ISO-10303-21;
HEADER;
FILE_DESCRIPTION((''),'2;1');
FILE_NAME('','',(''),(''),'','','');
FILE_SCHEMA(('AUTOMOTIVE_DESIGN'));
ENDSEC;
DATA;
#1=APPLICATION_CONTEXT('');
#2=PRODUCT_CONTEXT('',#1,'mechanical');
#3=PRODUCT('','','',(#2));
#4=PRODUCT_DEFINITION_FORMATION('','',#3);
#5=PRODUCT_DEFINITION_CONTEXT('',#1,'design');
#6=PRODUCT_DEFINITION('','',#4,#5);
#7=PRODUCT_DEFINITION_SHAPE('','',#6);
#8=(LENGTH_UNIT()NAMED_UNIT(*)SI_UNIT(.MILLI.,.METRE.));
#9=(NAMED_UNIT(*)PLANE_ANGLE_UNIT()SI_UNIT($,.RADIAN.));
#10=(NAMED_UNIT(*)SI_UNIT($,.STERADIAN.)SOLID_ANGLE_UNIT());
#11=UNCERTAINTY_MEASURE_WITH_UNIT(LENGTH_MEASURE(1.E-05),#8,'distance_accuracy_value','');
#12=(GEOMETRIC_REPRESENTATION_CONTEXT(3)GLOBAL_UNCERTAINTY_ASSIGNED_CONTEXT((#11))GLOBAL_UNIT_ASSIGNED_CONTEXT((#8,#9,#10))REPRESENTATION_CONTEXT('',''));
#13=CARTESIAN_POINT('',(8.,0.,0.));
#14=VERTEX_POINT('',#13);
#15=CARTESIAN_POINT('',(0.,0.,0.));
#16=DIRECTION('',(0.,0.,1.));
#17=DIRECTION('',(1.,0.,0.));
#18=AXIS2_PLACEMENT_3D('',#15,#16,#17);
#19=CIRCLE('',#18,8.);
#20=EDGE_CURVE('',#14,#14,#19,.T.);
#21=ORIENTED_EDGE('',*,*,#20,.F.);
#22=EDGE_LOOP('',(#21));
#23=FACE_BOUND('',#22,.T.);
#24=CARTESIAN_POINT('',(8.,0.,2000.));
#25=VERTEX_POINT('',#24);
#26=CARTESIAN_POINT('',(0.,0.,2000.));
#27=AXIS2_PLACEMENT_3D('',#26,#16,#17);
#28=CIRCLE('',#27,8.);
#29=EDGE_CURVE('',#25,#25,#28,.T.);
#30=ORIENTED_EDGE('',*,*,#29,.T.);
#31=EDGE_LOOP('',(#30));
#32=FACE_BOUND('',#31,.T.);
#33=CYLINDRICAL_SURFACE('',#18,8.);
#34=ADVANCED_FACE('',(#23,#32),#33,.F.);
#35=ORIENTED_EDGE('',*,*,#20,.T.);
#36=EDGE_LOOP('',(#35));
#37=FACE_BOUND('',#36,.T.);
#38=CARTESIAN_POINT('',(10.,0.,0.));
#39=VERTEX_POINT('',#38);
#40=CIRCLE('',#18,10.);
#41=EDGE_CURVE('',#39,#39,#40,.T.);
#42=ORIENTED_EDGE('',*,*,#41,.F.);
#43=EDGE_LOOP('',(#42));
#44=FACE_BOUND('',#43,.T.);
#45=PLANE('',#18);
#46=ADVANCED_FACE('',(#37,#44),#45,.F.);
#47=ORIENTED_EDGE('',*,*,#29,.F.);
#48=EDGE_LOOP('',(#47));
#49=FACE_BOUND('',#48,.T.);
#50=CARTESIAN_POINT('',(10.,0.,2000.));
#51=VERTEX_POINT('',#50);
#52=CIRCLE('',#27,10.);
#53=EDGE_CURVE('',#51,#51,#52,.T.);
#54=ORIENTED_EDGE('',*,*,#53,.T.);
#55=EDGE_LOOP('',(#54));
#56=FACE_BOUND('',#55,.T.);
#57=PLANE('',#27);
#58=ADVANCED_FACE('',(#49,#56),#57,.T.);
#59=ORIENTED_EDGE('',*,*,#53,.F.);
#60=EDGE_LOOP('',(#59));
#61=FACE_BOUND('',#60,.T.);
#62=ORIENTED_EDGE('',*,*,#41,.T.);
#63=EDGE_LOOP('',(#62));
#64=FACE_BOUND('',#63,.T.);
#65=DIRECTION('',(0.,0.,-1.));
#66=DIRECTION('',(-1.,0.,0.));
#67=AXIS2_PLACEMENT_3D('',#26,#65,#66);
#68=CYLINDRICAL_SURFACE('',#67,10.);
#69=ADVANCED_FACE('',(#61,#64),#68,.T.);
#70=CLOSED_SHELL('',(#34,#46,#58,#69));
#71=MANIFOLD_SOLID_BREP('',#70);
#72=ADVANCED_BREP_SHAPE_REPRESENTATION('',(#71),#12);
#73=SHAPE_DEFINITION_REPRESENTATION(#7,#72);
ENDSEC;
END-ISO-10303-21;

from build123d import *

# Parameters (mm, degrees)
SKETCH1_R           = 10
BOSS_EXTRUDE1_DEPTH = 2000
SKETCH2_R           = 8
CUT_EXTRUDE1_DEPTH  = 2000


with BuildPart() as part:
    # Sketch1 → Boss-Extrude1 (new body)
    with BuildSketch(Plane.XY):
        Circle(SKETCH1_R)
    extrude(amount=BOSS_EXTRUDE1_DEPTH)

    # Sketch2 → Cut-Extrude1 (cut)
    with BuildSketch(Plane.XY.offset(2000)):
        Circle(SKETCH2_R)
    extrude(amount=-CUT_EXTRUDE1_DEPTH, mode=Mode.SUBTRACT)


solid = part.part
